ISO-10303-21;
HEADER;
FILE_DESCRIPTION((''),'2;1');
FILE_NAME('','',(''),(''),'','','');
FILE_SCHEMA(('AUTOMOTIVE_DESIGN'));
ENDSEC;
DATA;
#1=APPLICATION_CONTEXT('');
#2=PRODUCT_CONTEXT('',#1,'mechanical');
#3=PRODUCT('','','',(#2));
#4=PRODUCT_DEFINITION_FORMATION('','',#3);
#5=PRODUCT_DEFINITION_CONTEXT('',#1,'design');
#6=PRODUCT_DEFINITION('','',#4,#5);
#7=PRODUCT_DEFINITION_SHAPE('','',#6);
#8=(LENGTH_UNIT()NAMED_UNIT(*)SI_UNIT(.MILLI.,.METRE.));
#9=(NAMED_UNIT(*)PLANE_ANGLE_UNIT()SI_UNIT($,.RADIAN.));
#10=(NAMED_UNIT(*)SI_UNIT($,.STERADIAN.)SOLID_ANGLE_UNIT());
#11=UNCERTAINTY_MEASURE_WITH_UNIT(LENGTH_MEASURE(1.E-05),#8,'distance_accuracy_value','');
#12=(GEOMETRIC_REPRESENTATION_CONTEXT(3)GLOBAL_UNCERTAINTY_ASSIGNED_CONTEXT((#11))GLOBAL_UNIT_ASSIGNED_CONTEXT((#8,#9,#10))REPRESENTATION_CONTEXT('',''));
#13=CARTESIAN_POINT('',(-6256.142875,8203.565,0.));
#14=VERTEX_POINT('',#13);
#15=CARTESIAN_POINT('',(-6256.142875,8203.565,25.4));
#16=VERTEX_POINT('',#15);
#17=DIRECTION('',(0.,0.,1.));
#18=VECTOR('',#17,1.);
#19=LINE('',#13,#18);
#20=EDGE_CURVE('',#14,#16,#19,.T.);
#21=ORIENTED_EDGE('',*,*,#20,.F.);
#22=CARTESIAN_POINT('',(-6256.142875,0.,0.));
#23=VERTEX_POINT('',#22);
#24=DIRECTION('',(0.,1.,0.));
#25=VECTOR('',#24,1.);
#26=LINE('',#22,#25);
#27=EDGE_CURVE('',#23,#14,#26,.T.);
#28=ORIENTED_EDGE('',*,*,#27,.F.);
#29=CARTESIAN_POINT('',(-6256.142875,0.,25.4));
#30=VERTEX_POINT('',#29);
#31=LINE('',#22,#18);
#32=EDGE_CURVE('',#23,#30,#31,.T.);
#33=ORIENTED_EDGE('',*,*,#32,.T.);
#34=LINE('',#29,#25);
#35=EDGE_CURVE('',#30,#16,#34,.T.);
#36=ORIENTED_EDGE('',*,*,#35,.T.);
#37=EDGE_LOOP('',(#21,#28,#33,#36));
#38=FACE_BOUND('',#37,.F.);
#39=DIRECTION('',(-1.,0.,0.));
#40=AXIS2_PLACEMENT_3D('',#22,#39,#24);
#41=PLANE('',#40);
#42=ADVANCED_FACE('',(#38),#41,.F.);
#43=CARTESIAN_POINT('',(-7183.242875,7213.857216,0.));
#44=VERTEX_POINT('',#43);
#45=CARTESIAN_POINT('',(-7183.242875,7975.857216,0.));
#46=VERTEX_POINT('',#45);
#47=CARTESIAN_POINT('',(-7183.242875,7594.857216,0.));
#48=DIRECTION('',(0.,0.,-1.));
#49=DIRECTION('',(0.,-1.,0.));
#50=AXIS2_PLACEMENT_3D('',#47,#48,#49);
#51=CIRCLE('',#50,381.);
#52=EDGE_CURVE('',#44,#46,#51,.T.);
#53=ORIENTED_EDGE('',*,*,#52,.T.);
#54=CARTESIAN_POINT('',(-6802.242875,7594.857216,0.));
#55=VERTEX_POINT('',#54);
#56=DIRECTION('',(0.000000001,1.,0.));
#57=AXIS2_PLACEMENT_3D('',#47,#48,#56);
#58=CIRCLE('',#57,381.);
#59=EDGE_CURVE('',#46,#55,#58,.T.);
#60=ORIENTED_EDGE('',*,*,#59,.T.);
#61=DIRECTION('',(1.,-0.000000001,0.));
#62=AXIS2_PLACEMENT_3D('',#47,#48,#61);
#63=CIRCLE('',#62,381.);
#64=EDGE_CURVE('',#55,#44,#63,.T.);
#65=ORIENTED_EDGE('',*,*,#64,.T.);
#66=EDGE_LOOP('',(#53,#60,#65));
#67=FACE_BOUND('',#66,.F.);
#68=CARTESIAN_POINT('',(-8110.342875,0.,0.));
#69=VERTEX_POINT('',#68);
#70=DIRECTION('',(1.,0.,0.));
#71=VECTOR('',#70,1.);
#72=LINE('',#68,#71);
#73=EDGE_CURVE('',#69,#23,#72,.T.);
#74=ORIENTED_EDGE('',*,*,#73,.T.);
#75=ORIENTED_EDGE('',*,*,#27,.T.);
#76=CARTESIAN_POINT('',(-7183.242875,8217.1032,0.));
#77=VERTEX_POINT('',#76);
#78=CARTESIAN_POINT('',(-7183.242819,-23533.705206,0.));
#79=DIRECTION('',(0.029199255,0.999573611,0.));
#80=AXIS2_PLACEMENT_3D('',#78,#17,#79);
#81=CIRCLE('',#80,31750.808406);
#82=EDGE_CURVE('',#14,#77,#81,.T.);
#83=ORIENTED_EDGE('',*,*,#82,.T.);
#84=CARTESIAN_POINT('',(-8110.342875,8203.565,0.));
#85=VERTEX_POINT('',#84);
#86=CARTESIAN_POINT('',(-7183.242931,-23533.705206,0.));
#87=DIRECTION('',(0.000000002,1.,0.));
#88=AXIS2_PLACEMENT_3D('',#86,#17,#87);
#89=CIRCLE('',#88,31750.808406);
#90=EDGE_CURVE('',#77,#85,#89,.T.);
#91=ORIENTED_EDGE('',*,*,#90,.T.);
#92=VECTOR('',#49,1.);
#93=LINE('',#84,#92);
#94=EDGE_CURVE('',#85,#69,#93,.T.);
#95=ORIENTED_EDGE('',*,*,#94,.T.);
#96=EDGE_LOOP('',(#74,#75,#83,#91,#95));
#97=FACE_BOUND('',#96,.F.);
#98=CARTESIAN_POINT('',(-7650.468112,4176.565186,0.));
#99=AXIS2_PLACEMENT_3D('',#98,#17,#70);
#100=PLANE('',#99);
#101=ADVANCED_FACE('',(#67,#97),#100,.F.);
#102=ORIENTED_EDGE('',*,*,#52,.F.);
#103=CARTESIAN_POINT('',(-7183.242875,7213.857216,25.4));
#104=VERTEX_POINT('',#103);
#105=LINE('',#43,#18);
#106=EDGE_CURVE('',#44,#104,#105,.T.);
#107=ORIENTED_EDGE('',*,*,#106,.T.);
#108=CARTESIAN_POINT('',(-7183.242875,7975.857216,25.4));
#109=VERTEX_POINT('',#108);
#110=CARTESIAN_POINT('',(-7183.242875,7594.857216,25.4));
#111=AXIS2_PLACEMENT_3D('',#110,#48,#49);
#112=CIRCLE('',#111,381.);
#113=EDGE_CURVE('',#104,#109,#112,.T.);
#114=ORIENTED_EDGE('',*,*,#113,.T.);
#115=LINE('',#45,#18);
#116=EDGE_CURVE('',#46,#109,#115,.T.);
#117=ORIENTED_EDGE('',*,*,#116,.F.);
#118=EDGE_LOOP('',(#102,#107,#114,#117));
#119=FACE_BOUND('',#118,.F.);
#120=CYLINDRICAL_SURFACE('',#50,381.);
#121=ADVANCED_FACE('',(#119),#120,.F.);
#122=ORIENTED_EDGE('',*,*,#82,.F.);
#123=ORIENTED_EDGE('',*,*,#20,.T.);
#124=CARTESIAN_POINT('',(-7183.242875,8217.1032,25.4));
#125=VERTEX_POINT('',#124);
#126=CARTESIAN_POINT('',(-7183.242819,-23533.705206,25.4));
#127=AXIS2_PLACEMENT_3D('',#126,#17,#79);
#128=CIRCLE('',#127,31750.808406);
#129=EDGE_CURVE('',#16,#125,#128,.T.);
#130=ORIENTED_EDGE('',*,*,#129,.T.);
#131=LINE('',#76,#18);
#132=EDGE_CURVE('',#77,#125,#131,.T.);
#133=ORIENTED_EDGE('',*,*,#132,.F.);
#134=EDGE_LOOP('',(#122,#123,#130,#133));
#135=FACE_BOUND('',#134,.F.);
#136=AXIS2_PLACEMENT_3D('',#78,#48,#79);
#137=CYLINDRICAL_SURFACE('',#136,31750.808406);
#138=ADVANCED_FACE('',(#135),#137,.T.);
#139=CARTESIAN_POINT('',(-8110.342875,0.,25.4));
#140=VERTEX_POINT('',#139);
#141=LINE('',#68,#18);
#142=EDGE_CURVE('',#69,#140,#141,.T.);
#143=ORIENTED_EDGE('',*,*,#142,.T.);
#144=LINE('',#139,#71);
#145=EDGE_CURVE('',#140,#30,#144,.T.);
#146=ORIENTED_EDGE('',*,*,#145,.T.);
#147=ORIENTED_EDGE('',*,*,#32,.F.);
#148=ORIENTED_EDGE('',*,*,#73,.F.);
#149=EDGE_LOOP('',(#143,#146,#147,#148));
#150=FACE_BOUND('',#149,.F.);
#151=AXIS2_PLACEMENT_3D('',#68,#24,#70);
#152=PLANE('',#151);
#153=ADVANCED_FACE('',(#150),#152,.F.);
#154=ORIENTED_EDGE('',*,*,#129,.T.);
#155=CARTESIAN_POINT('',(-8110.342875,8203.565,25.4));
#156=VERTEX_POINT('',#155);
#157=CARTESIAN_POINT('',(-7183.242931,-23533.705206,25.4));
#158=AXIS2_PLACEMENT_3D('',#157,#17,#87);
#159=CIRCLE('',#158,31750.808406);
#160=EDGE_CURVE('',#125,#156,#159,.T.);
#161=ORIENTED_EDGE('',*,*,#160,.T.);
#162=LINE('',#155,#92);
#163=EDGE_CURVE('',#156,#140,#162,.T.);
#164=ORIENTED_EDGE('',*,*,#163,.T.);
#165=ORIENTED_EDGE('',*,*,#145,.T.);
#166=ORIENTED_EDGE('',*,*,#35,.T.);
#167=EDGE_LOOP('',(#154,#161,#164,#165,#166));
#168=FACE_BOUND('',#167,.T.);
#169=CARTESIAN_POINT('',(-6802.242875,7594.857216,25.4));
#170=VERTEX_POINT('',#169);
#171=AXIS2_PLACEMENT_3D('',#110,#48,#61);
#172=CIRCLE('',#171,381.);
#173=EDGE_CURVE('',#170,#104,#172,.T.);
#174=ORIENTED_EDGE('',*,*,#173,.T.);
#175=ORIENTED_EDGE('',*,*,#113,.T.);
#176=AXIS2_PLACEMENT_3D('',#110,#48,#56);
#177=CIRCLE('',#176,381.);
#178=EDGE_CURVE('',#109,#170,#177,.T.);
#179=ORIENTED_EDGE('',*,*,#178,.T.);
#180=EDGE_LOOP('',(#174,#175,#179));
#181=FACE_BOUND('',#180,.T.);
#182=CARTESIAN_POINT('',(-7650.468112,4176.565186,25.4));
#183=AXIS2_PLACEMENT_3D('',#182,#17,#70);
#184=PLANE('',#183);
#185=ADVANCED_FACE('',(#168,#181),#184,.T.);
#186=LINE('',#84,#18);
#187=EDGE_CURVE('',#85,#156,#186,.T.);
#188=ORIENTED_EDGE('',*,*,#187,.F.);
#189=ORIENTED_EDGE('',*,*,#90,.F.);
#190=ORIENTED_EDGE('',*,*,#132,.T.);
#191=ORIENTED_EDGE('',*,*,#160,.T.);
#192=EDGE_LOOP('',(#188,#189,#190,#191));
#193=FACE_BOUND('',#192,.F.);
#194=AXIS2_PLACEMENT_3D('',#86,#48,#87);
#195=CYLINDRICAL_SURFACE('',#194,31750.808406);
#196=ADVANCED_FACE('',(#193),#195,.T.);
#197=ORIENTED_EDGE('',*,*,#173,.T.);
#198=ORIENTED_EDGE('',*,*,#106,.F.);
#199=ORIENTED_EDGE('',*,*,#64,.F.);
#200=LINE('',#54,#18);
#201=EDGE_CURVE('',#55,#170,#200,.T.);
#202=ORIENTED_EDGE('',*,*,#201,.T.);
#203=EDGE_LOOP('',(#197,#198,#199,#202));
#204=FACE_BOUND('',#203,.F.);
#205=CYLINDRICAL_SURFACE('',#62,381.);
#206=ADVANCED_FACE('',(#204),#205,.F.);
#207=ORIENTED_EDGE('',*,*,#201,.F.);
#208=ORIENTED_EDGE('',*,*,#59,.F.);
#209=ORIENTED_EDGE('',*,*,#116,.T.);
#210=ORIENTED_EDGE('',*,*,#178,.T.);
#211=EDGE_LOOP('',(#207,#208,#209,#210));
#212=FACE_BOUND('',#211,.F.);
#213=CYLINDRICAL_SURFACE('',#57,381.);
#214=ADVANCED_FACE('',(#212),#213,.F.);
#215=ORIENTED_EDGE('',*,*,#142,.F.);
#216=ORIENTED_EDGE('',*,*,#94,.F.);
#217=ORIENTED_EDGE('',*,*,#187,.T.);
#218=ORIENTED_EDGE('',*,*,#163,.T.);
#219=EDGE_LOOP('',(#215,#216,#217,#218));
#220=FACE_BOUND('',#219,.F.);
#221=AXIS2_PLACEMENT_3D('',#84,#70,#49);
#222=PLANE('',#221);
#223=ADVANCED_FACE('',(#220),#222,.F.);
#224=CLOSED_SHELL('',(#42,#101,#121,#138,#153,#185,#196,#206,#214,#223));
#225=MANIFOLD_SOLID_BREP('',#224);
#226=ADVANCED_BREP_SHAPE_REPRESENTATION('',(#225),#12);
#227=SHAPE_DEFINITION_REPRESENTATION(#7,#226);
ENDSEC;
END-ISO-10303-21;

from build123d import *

# Parameters (mm, degrees)
F1_DEPTH = 25.4


with BuildPart() as f1:
    # F0 (on Top) → F1 (new body)
    with BuildSketch(Plane.XY):
        with BuildLine():
            Line((-8110.342875, 8203.565), (-8110.342875, 0))
            Line((-8110.342875, 0), (-7183.242875, 0))
            Line((-7183.242875, 0), (-7183.242875, 7213.857216))
            ThreePointArc((-7183.242875, 7213.857216), (-7564.242875, 7594.857216), (-7183.242875, 7975.857216))
            Line((-7183.242875, 7975.857216), (-7183.242875, 8217.1032))
            ThreePointArc((-7183.242875, 8217.1032), (-7646.842296, 8213.71847), (-8110.342875, 8203.565))
        make_face()
        with BuildLine():
            Line((-7183.242875, 7213.857216), (-7183.242875, 0))
            Line((-7183.242875, 0), (-6256.142875, 0))
            Line((-6256.142875, 0), (-6256.142875, 8203.565))
            ThreePointArc((-6256.142875, 8203.565), (-6719.643454, 8213.71847), (-7183.242875, 8217.1032))
            Line((-7183.242875, 8217.1032), (-7183.242875, 7975.857216))
            ThreePointArc((-7183.242875, 7975.857216), (-6913.835192, 7864.2649), (-6802.242875, 7594.857216))
            ThreePointArc((-6802.242875, 7594.857216), (-6913.835192, 7325.449532), (-7183.242875, 7213.857216))
        make_face()
    extrude(amount=F1_DEPTH)


solid = f1.part
